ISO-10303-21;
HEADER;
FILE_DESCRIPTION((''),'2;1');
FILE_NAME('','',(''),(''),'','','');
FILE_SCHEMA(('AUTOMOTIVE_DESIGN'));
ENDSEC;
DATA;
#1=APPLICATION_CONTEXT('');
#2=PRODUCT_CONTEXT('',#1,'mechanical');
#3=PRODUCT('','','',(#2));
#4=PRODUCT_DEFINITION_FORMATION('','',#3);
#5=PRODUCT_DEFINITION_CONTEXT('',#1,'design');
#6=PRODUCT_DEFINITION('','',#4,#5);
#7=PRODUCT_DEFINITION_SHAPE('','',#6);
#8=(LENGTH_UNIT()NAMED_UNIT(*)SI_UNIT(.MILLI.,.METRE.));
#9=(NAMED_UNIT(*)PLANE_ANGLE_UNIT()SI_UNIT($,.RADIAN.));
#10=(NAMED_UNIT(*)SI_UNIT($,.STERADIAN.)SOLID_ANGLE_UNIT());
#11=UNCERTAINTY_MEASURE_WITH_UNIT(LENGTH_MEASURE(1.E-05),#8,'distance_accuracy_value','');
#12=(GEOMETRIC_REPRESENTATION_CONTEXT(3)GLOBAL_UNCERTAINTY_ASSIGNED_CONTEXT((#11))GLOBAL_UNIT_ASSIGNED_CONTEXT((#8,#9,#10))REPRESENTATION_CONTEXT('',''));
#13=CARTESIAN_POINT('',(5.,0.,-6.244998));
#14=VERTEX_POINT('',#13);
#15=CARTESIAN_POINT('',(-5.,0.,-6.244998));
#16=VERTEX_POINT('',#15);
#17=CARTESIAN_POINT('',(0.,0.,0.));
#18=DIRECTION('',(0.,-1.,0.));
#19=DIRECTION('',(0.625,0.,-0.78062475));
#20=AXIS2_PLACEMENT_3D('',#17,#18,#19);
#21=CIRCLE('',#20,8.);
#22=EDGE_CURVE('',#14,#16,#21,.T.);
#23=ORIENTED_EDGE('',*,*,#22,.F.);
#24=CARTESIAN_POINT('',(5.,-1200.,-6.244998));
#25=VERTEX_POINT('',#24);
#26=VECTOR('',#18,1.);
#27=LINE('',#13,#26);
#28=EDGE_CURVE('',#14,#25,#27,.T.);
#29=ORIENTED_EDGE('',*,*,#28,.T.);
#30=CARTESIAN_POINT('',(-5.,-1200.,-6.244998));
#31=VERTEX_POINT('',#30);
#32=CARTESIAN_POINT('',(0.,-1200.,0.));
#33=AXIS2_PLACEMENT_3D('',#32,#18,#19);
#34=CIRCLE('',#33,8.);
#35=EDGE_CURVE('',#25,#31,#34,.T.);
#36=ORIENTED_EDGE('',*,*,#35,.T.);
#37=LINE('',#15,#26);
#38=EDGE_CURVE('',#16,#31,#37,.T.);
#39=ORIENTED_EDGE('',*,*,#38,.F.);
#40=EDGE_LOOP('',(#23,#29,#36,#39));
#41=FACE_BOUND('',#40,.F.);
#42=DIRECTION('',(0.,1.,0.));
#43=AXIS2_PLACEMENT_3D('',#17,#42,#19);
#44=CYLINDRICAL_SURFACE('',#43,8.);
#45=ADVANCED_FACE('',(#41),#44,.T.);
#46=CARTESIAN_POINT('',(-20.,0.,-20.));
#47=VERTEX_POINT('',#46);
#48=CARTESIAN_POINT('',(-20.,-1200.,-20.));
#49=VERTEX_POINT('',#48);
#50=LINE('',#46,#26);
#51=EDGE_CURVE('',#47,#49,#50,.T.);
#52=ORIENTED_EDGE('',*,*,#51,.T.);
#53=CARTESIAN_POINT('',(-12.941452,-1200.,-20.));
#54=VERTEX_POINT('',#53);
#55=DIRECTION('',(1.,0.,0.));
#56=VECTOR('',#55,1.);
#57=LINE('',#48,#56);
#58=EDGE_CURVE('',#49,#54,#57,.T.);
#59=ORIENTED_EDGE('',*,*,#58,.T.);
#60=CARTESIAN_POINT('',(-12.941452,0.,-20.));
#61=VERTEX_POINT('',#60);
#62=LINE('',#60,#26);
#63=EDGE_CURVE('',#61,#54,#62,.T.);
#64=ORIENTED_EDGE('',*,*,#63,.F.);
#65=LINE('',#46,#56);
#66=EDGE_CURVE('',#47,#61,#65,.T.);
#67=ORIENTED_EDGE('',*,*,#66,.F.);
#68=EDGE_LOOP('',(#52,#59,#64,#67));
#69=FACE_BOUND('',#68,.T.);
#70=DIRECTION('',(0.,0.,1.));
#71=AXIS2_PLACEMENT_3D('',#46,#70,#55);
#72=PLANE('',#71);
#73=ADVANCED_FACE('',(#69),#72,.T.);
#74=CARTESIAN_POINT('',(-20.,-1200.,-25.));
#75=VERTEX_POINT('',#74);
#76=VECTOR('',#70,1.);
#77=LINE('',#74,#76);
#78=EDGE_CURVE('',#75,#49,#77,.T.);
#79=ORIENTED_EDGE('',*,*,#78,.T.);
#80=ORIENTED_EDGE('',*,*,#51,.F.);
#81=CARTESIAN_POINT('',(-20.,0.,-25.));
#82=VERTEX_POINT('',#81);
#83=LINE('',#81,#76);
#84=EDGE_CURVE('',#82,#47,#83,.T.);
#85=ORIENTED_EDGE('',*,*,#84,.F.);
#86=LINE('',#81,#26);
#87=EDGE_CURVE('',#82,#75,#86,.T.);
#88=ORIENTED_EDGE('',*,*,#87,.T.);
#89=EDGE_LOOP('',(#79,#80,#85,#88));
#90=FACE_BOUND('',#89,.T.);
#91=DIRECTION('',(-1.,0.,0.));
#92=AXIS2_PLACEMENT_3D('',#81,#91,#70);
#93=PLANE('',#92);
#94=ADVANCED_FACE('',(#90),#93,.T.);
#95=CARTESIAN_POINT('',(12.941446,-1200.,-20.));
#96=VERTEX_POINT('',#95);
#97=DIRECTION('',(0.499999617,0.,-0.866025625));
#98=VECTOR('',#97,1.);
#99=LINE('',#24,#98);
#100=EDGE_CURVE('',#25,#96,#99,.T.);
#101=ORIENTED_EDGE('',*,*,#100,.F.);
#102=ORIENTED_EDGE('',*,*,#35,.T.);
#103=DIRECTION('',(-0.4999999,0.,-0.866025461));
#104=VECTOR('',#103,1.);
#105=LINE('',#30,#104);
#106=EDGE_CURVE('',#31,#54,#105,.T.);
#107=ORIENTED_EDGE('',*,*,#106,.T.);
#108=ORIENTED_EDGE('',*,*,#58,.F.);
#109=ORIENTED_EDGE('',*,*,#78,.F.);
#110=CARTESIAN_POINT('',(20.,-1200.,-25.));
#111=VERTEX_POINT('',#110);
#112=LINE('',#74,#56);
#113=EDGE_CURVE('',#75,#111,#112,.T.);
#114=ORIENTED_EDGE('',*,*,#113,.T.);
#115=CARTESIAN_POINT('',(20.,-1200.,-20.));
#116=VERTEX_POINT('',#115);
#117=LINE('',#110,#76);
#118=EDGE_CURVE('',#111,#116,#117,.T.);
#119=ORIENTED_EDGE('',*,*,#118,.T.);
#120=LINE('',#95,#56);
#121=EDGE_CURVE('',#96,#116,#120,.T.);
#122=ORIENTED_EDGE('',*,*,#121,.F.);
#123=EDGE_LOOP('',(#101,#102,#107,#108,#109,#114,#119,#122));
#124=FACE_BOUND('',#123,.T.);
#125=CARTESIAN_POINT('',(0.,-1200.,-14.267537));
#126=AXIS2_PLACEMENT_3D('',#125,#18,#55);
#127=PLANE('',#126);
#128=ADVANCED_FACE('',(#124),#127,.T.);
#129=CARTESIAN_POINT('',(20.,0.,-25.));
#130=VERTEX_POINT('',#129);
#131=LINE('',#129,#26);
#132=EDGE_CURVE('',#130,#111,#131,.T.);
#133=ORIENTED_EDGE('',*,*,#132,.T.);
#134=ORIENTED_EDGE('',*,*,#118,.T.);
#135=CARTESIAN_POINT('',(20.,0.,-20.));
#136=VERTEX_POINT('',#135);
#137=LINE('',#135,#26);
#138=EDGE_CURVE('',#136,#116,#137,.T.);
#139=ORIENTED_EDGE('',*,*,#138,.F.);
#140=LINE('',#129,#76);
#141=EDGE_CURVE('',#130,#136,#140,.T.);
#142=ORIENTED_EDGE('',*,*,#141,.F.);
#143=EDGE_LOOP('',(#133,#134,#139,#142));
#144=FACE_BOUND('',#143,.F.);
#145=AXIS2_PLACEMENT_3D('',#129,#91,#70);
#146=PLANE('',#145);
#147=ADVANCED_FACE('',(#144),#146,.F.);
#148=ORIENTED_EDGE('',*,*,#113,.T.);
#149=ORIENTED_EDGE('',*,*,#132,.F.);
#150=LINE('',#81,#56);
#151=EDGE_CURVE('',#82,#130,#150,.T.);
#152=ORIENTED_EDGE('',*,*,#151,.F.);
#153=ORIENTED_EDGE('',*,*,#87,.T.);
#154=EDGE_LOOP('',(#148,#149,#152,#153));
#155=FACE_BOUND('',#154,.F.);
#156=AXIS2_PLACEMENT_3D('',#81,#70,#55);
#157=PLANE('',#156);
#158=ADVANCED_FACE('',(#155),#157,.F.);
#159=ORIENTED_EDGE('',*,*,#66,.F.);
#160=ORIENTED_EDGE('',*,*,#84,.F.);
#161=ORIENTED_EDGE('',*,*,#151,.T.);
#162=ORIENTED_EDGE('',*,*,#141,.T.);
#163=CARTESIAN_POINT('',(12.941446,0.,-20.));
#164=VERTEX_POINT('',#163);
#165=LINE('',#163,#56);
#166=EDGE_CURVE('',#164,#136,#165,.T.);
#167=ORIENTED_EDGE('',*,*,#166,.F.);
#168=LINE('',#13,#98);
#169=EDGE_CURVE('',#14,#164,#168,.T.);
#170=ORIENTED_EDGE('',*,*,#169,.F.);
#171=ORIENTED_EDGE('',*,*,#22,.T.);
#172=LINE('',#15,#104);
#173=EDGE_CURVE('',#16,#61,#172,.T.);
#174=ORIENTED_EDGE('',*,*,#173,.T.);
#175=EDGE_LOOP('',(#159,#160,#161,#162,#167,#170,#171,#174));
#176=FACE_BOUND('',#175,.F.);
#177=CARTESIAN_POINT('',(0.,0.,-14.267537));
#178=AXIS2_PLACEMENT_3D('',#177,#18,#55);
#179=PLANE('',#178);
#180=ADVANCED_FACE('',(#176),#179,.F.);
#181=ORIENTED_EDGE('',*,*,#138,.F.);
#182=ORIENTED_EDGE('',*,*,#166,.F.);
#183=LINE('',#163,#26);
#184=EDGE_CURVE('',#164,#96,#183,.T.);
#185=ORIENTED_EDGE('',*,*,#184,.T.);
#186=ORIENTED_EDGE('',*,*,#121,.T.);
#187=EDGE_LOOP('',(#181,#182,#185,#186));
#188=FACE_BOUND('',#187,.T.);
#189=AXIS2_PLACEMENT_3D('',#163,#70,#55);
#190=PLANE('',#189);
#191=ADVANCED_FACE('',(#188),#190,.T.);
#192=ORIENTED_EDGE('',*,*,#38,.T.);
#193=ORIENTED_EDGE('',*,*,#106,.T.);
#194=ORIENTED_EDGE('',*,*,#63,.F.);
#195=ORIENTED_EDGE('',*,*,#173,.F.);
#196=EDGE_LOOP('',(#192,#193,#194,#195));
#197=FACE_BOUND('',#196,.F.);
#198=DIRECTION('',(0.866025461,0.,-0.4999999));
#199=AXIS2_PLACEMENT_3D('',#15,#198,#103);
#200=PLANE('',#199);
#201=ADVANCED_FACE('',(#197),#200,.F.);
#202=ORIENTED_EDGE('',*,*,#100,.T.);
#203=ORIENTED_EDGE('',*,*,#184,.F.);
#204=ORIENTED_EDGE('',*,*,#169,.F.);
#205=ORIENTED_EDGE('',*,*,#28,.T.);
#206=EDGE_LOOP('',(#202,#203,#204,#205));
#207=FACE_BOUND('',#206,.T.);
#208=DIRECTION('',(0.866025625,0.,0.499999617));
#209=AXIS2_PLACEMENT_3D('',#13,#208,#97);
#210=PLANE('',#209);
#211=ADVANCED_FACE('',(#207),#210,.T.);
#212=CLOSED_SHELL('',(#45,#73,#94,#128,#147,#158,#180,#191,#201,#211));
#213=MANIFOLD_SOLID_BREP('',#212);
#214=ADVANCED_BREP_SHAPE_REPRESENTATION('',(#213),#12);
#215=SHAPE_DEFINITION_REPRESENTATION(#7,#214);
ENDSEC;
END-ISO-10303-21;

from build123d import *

# Parameters (mm, degrees)
PAD_DEPTH = 1200


with BuildPart() as part:
    # Sketch → Pad (new body)
    with BuildSketch(Plane.XZ):
        with BuildLine():
            ThreePointArc((5, -6.244998), (0, 8), (-5, -6.244998))
            Line((-5, -6.244998), (-12.941452, -20))
            Line((-20, -20), (-12.941452, -20))
            Line((-20, -25), (-20, -20))
            Line((-20, -25), (20, -25))
            Line((20, -25), (20, -20))
            Line((12.941446, -20), (20, -20))
            Line((5, -6.244998), (12.941446, -20))
        make_face()
    extrude(amount=PAD_DEPTH)


solid = part.part
